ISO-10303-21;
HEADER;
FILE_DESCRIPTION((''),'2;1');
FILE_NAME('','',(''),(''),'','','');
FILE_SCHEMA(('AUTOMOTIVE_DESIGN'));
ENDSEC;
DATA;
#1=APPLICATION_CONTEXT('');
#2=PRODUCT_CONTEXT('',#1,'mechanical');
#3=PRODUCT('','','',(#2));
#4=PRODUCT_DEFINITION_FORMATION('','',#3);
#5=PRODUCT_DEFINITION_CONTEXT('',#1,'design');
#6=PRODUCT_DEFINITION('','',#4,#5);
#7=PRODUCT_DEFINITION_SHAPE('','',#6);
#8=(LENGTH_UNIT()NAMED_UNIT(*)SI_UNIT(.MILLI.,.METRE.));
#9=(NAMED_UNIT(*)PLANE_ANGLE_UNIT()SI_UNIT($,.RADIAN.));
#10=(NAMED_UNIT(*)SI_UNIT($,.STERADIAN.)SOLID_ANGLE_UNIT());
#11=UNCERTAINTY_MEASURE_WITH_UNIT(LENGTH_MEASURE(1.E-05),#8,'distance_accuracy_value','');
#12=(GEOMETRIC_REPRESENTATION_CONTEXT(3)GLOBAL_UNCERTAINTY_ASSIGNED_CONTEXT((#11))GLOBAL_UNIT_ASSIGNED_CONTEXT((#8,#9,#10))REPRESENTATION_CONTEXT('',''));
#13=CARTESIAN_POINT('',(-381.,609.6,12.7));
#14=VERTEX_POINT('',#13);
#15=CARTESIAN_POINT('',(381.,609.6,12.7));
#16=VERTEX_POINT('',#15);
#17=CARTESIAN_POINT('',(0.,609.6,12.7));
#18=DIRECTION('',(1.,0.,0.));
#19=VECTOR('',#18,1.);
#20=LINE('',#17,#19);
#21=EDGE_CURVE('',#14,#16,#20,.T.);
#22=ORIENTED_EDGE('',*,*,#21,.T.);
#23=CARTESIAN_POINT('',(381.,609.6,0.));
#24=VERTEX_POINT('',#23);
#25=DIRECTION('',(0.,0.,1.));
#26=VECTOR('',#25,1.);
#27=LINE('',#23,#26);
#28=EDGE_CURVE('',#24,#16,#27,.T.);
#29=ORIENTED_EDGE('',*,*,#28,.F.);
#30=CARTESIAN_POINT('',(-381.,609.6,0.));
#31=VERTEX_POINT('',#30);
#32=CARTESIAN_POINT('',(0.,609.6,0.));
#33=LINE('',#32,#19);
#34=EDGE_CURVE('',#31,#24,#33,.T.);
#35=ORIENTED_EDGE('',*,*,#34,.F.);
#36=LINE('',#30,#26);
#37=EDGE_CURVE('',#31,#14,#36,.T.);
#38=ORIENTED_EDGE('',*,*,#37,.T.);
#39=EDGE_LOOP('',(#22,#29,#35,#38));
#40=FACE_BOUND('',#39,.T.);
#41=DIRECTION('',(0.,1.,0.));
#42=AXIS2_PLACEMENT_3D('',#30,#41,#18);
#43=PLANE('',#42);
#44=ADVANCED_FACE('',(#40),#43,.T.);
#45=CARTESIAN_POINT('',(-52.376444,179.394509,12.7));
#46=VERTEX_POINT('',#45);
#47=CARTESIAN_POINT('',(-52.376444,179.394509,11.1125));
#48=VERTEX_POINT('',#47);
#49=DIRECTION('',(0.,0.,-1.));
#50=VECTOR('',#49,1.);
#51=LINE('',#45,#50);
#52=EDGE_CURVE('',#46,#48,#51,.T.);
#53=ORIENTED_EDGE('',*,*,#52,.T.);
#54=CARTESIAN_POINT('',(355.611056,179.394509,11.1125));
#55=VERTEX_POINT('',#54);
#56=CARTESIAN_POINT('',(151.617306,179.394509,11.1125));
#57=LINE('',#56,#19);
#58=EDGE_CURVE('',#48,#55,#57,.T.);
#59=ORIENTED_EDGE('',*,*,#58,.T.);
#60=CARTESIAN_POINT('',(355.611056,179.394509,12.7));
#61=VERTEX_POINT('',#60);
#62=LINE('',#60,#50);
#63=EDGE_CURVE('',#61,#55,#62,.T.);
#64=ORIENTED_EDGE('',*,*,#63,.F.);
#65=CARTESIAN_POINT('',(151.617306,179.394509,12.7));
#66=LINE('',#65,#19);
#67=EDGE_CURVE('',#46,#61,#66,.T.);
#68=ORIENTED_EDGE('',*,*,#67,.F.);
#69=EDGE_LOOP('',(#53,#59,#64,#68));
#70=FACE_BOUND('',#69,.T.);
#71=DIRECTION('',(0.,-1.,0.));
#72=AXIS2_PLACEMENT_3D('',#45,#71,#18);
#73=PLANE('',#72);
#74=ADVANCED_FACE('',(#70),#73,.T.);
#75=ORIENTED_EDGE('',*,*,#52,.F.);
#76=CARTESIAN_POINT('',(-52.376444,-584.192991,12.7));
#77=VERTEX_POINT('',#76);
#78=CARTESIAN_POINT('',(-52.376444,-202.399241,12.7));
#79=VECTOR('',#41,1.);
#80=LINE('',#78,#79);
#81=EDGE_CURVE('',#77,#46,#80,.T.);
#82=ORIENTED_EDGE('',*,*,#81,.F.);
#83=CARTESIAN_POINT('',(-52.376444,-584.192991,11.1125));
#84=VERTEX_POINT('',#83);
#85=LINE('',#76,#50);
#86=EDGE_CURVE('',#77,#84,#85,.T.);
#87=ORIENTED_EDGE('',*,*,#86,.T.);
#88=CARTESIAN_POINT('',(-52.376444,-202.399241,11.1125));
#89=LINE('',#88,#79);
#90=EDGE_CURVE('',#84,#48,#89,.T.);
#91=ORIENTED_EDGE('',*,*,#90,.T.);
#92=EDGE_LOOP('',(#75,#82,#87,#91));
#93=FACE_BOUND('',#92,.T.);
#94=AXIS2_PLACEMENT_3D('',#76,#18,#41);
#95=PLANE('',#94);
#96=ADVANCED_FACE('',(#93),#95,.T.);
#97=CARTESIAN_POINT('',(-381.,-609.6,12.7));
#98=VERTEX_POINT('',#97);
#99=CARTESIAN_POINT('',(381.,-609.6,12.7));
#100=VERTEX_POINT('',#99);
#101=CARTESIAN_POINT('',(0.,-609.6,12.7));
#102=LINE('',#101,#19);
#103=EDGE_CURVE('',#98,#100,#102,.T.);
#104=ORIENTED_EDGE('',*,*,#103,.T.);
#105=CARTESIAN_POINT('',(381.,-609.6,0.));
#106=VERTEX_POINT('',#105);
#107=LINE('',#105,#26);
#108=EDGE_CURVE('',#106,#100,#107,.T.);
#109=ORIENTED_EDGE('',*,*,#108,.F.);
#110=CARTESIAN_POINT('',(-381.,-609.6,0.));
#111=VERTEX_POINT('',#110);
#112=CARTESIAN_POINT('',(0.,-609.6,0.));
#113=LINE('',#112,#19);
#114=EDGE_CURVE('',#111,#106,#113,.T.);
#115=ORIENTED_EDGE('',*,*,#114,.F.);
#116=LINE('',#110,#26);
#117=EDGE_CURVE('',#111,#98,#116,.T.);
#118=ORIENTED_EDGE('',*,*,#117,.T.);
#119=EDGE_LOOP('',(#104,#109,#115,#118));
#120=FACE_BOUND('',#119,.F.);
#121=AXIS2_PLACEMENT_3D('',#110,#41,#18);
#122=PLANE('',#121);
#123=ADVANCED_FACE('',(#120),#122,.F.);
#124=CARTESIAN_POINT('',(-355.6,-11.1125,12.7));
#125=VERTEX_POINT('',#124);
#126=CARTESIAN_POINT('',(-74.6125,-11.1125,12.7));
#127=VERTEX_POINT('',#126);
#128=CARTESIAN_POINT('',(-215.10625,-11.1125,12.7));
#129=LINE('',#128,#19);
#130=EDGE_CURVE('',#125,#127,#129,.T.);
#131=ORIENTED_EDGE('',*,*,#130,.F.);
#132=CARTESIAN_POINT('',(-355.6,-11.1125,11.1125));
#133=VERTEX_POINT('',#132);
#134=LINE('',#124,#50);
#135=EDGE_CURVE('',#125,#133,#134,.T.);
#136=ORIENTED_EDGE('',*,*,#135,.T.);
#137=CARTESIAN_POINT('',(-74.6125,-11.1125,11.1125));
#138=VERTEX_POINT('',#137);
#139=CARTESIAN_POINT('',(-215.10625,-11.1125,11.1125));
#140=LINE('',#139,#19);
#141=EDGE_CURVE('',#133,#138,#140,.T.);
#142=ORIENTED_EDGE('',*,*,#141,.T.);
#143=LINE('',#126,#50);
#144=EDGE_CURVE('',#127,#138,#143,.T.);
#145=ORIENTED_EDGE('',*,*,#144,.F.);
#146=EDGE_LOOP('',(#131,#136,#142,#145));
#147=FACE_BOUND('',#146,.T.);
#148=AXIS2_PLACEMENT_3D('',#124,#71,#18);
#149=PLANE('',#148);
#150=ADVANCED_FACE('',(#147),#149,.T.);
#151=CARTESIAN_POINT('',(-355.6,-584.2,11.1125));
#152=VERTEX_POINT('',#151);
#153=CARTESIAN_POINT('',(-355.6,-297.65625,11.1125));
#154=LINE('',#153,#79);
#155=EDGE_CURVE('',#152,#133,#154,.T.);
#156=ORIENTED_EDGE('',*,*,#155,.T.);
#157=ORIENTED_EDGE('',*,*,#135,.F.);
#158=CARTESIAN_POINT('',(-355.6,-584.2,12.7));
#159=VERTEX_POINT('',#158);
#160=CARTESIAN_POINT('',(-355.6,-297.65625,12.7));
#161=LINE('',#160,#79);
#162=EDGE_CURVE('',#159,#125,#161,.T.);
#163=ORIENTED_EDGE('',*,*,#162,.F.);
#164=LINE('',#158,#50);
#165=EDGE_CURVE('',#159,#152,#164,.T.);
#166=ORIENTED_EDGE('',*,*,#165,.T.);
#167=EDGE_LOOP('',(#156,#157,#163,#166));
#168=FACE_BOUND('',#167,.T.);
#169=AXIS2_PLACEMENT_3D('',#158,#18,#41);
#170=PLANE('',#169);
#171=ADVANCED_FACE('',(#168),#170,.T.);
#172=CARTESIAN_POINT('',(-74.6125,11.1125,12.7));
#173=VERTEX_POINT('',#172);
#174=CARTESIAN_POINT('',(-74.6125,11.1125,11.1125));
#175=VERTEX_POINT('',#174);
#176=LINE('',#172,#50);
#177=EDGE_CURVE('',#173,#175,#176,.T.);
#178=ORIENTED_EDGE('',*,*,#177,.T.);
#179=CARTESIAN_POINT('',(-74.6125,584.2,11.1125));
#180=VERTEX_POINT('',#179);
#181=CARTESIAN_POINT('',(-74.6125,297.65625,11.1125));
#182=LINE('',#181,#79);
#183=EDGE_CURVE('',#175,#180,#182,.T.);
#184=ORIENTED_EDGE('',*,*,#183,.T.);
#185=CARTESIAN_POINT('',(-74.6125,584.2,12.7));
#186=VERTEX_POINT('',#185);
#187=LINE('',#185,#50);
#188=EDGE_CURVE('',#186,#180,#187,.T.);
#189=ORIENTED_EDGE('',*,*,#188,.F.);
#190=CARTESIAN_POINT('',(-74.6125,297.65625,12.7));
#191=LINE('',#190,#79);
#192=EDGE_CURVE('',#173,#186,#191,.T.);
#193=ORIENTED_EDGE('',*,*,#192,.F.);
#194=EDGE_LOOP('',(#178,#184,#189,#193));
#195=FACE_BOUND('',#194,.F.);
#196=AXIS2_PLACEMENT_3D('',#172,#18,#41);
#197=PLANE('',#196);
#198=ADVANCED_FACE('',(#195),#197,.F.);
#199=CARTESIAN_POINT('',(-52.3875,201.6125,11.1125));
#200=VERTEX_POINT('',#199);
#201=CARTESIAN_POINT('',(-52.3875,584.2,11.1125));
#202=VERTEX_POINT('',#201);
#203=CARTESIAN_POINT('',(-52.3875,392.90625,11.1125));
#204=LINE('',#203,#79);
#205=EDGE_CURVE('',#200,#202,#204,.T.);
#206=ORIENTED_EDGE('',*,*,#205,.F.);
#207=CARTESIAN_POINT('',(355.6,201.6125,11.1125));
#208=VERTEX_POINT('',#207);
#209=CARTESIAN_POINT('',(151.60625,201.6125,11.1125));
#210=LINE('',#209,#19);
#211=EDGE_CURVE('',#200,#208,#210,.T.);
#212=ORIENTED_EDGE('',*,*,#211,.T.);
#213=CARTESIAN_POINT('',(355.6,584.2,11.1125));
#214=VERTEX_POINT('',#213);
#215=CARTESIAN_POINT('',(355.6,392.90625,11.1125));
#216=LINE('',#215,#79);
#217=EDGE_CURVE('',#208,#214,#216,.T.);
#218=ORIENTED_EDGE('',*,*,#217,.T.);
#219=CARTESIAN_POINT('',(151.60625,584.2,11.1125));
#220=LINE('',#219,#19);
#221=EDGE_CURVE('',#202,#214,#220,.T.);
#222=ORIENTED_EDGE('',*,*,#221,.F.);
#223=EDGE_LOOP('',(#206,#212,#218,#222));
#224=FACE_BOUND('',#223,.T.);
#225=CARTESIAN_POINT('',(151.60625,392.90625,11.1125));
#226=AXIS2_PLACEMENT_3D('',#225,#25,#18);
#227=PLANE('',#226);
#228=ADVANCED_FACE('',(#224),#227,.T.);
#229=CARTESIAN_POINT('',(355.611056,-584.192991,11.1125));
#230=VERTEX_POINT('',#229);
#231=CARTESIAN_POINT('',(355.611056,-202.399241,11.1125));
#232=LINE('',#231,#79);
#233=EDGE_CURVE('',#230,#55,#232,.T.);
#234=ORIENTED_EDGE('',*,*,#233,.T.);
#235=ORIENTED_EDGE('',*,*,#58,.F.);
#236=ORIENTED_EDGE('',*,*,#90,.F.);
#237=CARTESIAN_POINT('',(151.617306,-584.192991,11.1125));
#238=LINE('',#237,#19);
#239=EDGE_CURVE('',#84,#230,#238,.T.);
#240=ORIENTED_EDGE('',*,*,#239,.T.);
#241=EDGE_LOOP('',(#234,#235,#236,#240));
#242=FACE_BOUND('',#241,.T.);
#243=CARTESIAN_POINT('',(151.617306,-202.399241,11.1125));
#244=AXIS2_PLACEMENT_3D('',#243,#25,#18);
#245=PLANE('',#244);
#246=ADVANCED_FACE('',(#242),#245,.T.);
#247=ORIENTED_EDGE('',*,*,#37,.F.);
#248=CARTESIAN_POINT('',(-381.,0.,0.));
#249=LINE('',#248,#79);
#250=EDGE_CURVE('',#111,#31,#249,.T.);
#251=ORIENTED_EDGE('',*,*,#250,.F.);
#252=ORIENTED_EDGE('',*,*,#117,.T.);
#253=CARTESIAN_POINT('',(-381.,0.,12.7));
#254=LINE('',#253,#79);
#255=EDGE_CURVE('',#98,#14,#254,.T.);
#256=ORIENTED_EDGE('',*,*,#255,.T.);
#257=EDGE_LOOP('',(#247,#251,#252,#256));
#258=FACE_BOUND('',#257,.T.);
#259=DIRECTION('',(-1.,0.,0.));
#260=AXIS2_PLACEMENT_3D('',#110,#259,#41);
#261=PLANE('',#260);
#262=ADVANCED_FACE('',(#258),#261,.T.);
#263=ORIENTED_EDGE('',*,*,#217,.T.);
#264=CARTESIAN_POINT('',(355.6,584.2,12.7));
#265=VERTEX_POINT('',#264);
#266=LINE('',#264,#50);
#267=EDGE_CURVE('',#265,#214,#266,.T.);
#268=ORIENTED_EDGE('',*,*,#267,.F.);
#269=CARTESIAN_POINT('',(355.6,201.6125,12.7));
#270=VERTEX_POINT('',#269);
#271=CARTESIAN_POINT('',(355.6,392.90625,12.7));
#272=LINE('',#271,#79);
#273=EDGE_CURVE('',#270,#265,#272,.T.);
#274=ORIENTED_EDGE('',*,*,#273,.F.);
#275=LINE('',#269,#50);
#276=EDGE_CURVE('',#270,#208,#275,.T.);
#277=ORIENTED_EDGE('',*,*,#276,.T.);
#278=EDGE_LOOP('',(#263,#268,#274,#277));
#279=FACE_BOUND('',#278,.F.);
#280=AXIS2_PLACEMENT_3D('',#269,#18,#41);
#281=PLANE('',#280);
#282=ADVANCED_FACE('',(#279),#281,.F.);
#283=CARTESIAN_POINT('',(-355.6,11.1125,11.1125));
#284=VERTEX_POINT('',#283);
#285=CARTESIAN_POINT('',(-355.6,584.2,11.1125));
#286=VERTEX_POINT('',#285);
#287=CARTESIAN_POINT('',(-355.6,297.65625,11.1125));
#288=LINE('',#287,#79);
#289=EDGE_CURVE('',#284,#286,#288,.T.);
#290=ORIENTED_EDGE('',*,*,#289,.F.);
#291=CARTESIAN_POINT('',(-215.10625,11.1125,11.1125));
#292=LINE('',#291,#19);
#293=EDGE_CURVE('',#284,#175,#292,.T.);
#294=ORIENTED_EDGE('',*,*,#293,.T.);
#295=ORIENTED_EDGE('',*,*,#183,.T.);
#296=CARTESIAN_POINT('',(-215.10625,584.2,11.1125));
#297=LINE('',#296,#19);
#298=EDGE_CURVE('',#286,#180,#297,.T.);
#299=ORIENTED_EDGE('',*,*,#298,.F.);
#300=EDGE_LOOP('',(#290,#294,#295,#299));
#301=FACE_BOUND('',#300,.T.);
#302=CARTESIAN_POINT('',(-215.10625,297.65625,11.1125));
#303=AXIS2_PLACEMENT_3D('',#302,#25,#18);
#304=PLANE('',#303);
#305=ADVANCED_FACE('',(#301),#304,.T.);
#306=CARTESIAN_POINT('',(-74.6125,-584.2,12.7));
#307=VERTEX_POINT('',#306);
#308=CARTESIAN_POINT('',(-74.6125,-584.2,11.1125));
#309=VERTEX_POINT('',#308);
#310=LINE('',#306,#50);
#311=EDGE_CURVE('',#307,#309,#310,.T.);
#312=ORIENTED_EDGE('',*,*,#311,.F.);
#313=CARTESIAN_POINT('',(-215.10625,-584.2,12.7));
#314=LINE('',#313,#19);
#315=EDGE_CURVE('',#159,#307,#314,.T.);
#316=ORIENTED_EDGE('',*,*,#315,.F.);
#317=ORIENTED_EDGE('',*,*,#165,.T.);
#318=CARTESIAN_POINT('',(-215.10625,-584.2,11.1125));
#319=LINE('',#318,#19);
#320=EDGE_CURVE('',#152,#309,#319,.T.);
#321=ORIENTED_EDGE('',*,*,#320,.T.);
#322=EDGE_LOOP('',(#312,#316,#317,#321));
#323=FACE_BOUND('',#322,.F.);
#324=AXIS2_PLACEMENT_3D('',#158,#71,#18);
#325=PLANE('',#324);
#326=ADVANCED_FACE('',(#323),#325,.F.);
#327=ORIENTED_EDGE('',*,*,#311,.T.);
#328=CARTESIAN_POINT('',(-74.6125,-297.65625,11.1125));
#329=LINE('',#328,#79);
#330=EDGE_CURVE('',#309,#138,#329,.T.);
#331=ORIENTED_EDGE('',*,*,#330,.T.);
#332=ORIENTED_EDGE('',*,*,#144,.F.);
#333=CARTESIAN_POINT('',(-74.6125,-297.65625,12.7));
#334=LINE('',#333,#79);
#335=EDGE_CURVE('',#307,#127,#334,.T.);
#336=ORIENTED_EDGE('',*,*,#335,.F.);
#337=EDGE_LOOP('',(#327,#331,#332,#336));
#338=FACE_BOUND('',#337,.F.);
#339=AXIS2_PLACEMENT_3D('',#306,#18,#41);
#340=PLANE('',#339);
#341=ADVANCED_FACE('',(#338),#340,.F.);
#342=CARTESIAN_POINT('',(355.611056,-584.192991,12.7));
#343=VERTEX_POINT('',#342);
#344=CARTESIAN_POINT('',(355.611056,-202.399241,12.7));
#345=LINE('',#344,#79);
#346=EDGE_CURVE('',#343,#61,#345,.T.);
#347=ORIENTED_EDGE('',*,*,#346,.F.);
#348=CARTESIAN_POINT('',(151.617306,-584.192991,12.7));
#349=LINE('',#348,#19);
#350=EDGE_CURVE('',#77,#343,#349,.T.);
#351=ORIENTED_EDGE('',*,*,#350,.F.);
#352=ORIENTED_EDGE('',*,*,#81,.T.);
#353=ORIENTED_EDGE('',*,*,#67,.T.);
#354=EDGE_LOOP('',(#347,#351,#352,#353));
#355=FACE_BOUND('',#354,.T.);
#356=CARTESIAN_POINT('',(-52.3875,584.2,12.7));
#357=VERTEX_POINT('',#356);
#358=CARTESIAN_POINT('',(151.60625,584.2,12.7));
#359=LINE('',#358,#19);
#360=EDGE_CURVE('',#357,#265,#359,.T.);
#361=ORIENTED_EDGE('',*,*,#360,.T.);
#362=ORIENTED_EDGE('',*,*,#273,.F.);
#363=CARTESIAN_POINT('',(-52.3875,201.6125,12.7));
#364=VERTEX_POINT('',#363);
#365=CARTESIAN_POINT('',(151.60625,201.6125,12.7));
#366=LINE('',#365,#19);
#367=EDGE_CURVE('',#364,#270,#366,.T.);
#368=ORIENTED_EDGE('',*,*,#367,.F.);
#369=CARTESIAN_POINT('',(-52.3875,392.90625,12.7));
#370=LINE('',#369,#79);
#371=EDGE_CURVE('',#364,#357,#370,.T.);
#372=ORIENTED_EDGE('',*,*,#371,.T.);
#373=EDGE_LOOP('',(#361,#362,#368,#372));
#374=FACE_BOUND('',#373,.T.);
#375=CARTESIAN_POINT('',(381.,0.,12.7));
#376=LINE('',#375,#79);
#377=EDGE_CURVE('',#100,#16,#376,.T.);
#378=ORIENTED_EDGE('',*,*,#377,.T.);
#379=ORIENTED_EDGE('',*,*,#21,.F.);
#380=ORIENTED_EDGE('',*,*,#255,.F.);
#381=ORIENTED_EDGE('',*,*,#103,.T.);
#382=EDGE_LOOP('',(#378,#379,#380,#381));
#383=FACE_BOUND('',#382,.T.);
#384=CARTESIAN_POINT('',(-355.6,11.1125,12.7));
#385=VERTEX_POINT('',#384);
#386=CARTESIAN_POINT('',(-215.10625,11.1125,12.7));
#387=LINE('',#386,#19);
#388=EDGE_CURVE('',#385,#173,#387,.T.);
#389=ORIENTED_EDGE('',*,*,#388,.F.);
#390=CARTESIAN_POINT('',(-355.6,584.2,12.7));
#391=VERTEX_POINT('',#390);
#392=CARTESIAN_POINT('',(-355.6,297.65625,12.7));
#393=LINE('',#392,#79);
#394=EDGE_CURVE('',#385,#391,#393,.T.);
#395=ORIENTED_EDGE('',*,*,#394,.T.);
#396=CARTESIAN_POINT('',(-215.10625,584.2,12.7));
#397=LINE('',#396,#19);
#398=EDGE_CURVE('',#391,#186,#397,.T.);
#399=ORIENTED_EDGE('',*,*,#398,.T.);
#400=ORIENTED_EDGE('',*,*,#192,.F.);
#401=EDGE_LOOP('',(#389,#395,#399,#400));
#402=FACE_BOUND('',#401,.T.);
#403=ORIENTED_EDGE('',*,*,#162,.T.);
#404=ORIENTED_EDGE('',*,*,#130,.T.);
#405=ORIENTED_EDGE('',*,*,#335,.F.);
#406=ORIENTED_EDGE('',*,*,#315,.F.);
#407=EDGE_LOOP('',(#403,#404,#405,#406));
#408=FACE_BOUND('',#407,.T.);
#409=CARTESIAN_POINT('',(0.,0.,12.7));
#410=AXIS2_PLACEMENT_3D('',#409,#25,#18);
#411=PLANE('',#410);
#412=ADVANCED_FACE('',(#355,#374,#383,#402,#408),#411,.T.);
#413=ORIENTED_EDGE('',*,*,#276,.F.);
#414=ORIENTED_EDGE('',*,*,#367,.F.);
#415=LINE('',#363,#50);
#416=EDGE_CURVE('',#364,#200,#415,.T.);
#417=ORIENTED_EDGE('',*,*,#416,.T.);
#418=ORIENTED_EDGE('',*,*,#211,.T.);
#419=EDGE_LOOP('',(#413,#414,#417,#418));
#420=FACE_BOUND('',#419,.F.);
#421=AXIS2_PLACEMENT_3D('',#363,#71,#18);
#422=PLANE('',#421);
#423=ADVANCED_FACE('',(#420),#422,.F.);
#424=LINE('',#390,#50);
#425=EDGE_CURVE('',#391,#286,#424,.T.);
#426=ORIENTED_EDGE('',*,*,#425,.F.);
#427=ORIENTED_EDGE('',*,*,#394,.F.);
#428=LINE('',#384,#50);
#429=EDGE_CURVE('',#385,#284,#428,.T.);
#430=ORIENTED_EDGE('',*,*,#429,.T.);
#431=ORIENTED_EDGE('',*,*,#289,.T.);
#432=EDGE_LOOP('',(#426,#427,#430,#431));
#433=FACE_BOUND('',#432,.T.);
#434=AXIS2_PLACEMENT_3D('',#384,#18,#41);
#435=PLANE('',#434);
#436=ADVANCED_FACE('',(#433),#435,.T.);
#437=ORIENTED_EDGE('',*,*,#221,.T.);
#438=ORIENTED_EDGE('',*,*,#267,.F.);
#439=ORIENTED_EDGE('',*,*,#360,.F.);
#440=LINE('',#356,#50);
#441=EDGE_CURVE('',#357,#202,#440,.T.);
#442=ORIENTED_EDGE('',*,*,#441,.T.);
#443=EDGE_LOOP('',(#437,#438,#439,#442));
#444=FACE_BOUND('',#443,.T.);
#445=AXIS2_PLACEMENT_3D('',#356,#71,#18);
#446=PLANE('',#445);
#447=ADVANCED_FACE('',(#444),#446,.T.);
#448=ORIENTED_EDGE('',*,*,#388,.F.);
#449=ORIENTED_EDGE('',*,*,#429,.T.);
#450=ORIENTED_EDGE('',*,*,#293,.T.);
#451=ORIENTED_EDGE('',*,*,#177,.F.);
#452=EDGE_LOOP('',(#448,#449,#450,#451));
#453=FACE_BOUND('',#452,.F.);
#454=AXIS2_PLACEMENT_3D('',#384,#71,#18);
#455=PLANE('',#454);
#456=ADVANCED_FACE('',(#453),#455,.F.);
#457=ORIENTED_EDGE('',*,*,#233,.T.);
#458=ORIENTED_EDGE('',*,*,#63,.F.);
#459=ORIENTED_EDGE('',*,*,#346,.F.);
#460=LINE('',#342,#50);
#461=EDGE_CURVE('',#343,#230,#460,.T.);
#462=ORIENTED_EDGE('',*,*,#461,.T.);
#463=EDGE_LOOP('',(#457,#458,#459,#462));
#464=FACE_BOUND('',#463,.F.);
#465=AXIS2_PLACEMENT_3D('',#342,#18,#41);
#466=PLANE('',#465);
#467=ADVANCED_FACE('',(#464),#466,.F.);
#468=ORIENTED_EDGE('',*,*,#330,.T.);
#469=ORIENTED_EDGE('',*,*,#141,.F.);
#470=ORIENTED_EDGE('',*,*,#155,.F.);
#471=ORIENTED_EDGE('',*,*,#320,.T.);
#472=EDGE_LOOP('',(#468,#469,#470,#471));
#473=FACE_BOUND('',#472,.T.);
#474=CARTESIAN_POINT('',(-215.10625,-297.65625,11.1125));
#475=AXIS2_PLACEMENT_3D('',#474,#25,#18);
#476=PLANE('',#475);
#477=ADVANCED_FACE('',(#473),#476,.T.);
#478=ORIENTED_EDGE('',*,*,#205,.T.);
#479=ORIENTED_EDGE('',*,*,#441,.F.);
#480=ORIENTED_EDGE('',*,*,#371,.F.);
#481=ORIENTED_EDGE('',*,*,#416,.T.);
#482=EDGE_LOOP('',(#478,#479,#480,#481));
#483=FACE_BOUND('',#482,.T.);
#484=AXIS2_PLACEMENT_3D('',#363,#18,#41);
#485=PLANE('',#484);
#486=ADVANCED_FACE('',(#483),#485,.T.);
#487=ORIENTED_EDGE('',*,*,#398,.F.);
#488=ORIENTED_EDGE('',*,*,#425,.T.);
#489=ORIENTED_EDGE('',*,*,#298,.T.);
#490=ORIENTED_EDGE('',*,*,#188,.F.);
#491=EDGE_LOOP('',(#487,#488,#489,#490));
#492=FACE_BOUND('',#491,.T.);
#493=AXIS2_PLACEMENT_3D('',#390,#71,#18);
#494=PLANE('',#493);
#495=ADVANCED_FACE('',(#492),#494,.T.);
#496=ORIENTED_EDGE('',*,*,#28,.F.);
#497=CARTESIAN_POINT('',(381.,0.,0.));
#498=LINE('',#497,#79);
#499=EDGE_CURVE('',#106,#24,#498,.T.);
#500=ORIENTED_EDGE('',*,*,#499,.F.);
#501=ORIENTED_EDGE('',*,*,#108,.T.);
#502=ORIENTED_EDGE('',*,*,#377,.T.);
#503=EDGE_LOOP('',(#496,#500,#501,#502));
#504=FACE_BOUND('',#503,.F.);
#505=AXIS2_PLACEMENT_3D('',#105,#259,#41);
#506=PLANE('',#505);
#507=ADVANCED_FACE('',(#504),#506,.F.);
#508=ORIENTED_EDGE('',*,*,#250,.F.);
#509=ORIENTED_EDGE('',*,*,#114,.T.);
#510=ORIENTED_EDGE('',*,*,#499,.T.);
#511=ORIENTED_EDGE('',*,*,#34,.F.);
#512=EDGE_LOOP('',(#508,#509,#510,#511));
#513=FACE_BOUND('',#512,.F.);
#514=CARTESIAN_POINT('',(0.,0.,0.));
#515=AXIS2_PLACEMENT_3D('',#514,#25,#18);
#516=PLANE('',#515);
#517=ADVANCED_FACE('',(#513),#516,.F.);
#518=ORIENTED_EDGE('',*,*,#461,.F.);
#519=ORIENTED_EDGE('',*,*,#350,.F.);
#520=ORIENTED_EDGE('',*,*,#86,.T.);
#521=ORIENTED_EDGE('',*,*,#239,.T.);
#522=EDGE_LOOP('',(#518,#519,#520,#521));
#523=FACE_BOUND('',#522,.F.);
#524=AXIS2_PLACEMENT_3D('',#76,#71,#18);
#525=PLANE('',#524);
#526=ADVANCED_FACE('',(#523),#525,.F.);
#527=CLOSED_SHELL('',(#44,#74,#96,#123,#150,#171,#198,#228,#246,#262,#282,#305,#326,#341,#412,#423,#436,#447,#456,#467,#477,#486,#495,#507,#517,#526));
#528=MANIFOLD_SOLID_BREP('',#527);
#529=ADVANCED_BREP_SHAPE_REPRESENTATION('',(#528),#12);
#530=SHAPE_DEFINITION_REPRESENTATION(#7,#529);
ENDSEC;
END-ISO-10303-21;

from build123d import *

# Parameters (mm, degrees)
F0_W      = 762
F0_H      = 1219.2
F1_DEPTH  = 12.7
F3_W      = 407.9875
F3_H      = 763.5875
F4_DEPTH  = 1.5875
F6_W      = 407.9875
F6_H      = 382.5875
F7_DEPTH  = 1.5875
F9_W      = 280.9875
F9_H      = 573.0875
F10_DEPTH = 1.5875
F12_W     = 280.9875
F12_H     = 573.0875
F13_DEPTH = 1.5875


with BuildPart() as f1:
    # F0 (on Top) → F1 (new body)
    with BuildSketch(Plane.XY):
        Rectangle(F0_W, F0_H)
    extrude(amount=F1_DEPTH)

    # F3 (on face) → F4 (cut)
    with BuildSketch(Plane.XY.offset(12.7)):
        with Locations((151.617306, -202.399241)):
            Rectangle(F3_W, F3_H)
    extrude(amount=-F4_DEPTH, mode=Mode.SUBTRACT)

    # F6 (on face) → F7 (cut)
    with BuildSketch(Plane.XY.offset(12.7)):
        with Locations((151.60625, 392.90625)):
            Rectangle(F6_W, F6_H)
    extrude(amount=-F7_DEPTH, mode=Mode.SUBTRACT)

    # F9 (on face) → F10 (cut)
    with BuildSketch(Plane.XY.offset(12.7)):
        with Locations((-215.10625, -297.65625)):
            Rectangle(F9_W, F9_H)
    extrude(amount=-F10_DEPTH, mode=Mode.SUBTRACT)

    # F12 (on face) → F13 (cut)
    with BuildSketch(Plane.XY.offset(12.7)):
        with Locations((-215.10625, 297.65625)):
            Rectangle(F12_W, F12_H)
    extrude(amount=-F13_DEPTH, mode=Mode.SUBTRACT)


solid = f1.part
